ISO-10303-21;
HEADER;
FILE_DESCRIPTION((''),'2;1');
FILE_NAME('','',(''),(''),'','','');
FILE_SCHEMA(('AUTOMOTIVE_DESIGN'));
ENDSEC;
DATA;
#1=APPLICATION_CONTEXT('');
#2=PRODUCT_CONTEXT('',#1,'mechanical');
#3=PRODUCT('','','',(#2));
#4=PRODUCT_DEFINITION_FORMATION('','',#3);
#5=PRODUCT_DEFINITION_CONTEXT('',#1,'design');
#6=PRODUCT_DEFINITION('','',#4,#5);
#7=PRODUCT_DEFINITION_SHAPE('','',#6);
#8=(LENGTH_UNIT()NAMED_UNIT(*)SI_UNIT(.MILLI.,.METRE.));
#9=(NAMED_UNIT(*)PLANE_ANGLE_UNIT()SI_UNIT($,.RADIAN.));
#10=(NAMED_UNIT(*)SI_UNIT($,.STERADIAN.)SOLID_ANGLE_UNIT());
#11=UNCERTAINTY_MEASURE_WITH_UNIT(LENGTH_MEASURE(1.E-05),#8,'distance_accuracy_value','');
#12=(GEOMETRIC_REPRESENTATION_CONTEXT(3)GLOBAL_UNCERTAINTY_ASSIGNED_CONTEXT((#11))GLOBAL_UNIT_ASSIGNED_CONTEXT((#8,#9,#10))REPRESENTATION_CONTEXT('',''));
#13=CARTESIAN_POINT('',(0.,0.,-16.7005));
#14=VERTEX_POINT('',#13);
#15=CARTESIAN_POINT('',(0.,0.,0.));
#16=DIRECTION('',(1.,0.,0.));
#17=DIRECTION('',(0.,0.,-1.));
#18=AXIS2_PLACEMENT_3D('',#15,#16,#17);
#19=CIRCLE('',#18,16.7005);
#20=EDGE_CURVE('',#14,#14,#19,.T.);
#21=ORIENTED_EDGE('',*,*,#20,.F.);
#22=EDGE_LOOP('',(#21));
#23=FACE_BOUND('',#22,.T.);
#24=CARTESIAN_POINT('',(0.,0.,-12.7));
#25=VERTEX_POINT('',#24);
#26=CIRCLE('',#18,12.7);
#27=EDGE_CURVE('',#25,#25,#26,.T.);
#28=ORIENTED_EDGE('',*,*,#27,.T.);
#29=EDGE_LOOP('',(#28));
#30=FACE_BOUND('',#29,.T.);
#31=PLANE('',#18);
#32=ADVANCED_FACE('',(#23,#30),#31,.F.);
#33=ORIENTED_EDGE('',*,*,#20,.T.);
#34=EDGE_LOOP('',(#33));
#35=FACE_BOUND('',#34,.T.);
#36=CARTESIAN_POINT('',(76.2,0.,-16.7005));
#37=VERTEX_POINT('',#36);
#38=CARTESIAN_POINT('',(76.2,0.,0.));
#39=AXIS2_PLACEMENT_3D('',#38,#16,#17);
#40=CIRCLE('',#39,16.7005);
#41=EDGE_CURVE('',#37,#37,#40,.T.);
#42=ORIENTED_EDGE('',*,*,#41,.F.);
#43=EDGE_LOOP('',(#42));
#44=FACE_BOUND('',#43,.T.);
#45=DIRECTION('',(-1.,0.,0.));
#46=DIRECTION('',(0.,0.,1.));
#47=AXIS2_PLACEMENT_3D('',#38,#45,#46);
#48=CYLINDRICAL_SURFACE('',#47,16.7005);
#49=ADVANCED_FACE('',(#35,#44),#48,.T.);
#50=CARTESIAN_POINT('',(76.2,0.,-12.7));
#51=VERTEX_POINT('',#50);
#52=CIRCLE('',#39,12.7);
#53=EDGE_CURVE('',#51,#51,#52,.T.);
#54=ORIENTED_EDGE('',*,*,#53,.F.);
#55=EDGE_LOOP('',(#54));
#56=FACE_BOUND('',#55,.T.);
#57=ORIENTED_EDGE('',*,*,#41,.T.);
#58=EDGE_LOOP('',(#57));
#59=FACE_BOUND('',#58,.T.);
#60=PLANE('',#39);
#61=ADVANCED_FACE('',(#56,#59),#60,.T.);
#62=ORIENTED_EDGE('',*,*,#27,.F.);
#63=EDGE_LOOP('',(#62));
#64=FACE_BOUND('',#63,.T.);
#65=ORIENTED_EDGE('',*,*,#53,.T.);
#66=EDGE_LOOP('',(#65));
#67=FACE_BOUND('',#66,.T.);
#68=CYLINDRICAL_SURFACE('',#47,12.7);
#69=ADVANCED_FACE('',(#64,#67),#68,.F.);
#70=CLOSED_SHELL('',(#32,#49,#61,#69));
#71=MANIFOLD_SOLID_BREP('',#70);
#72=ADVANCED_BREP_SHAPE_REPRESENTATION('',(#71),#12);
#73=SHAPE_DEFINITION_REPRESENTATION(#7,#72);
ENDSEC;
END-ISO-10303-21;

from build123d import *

# Parameters (mm, degrees)
SKETCH1_R           = 16.7005
SKETCH1_R_2         = 12.7
BOSS_EXTRUDE1_DEPTH = 76.2


with BuildPart() as part:
    # Sketch1 → Boss-Extrude1 (new body)
    with BuildSketch(Plane(origin=(0, 0, 0), x_dir=(0, 0, -1), z_dir=(1, 0, 0))):
        Circle(SKETCH1_R)
        Circle(SKETCH1_R_2, mode=Mode.SUBTRACT)
    extrude(amount=BOSS_EXTRUDE1_DEPTH)


solid = part.part
